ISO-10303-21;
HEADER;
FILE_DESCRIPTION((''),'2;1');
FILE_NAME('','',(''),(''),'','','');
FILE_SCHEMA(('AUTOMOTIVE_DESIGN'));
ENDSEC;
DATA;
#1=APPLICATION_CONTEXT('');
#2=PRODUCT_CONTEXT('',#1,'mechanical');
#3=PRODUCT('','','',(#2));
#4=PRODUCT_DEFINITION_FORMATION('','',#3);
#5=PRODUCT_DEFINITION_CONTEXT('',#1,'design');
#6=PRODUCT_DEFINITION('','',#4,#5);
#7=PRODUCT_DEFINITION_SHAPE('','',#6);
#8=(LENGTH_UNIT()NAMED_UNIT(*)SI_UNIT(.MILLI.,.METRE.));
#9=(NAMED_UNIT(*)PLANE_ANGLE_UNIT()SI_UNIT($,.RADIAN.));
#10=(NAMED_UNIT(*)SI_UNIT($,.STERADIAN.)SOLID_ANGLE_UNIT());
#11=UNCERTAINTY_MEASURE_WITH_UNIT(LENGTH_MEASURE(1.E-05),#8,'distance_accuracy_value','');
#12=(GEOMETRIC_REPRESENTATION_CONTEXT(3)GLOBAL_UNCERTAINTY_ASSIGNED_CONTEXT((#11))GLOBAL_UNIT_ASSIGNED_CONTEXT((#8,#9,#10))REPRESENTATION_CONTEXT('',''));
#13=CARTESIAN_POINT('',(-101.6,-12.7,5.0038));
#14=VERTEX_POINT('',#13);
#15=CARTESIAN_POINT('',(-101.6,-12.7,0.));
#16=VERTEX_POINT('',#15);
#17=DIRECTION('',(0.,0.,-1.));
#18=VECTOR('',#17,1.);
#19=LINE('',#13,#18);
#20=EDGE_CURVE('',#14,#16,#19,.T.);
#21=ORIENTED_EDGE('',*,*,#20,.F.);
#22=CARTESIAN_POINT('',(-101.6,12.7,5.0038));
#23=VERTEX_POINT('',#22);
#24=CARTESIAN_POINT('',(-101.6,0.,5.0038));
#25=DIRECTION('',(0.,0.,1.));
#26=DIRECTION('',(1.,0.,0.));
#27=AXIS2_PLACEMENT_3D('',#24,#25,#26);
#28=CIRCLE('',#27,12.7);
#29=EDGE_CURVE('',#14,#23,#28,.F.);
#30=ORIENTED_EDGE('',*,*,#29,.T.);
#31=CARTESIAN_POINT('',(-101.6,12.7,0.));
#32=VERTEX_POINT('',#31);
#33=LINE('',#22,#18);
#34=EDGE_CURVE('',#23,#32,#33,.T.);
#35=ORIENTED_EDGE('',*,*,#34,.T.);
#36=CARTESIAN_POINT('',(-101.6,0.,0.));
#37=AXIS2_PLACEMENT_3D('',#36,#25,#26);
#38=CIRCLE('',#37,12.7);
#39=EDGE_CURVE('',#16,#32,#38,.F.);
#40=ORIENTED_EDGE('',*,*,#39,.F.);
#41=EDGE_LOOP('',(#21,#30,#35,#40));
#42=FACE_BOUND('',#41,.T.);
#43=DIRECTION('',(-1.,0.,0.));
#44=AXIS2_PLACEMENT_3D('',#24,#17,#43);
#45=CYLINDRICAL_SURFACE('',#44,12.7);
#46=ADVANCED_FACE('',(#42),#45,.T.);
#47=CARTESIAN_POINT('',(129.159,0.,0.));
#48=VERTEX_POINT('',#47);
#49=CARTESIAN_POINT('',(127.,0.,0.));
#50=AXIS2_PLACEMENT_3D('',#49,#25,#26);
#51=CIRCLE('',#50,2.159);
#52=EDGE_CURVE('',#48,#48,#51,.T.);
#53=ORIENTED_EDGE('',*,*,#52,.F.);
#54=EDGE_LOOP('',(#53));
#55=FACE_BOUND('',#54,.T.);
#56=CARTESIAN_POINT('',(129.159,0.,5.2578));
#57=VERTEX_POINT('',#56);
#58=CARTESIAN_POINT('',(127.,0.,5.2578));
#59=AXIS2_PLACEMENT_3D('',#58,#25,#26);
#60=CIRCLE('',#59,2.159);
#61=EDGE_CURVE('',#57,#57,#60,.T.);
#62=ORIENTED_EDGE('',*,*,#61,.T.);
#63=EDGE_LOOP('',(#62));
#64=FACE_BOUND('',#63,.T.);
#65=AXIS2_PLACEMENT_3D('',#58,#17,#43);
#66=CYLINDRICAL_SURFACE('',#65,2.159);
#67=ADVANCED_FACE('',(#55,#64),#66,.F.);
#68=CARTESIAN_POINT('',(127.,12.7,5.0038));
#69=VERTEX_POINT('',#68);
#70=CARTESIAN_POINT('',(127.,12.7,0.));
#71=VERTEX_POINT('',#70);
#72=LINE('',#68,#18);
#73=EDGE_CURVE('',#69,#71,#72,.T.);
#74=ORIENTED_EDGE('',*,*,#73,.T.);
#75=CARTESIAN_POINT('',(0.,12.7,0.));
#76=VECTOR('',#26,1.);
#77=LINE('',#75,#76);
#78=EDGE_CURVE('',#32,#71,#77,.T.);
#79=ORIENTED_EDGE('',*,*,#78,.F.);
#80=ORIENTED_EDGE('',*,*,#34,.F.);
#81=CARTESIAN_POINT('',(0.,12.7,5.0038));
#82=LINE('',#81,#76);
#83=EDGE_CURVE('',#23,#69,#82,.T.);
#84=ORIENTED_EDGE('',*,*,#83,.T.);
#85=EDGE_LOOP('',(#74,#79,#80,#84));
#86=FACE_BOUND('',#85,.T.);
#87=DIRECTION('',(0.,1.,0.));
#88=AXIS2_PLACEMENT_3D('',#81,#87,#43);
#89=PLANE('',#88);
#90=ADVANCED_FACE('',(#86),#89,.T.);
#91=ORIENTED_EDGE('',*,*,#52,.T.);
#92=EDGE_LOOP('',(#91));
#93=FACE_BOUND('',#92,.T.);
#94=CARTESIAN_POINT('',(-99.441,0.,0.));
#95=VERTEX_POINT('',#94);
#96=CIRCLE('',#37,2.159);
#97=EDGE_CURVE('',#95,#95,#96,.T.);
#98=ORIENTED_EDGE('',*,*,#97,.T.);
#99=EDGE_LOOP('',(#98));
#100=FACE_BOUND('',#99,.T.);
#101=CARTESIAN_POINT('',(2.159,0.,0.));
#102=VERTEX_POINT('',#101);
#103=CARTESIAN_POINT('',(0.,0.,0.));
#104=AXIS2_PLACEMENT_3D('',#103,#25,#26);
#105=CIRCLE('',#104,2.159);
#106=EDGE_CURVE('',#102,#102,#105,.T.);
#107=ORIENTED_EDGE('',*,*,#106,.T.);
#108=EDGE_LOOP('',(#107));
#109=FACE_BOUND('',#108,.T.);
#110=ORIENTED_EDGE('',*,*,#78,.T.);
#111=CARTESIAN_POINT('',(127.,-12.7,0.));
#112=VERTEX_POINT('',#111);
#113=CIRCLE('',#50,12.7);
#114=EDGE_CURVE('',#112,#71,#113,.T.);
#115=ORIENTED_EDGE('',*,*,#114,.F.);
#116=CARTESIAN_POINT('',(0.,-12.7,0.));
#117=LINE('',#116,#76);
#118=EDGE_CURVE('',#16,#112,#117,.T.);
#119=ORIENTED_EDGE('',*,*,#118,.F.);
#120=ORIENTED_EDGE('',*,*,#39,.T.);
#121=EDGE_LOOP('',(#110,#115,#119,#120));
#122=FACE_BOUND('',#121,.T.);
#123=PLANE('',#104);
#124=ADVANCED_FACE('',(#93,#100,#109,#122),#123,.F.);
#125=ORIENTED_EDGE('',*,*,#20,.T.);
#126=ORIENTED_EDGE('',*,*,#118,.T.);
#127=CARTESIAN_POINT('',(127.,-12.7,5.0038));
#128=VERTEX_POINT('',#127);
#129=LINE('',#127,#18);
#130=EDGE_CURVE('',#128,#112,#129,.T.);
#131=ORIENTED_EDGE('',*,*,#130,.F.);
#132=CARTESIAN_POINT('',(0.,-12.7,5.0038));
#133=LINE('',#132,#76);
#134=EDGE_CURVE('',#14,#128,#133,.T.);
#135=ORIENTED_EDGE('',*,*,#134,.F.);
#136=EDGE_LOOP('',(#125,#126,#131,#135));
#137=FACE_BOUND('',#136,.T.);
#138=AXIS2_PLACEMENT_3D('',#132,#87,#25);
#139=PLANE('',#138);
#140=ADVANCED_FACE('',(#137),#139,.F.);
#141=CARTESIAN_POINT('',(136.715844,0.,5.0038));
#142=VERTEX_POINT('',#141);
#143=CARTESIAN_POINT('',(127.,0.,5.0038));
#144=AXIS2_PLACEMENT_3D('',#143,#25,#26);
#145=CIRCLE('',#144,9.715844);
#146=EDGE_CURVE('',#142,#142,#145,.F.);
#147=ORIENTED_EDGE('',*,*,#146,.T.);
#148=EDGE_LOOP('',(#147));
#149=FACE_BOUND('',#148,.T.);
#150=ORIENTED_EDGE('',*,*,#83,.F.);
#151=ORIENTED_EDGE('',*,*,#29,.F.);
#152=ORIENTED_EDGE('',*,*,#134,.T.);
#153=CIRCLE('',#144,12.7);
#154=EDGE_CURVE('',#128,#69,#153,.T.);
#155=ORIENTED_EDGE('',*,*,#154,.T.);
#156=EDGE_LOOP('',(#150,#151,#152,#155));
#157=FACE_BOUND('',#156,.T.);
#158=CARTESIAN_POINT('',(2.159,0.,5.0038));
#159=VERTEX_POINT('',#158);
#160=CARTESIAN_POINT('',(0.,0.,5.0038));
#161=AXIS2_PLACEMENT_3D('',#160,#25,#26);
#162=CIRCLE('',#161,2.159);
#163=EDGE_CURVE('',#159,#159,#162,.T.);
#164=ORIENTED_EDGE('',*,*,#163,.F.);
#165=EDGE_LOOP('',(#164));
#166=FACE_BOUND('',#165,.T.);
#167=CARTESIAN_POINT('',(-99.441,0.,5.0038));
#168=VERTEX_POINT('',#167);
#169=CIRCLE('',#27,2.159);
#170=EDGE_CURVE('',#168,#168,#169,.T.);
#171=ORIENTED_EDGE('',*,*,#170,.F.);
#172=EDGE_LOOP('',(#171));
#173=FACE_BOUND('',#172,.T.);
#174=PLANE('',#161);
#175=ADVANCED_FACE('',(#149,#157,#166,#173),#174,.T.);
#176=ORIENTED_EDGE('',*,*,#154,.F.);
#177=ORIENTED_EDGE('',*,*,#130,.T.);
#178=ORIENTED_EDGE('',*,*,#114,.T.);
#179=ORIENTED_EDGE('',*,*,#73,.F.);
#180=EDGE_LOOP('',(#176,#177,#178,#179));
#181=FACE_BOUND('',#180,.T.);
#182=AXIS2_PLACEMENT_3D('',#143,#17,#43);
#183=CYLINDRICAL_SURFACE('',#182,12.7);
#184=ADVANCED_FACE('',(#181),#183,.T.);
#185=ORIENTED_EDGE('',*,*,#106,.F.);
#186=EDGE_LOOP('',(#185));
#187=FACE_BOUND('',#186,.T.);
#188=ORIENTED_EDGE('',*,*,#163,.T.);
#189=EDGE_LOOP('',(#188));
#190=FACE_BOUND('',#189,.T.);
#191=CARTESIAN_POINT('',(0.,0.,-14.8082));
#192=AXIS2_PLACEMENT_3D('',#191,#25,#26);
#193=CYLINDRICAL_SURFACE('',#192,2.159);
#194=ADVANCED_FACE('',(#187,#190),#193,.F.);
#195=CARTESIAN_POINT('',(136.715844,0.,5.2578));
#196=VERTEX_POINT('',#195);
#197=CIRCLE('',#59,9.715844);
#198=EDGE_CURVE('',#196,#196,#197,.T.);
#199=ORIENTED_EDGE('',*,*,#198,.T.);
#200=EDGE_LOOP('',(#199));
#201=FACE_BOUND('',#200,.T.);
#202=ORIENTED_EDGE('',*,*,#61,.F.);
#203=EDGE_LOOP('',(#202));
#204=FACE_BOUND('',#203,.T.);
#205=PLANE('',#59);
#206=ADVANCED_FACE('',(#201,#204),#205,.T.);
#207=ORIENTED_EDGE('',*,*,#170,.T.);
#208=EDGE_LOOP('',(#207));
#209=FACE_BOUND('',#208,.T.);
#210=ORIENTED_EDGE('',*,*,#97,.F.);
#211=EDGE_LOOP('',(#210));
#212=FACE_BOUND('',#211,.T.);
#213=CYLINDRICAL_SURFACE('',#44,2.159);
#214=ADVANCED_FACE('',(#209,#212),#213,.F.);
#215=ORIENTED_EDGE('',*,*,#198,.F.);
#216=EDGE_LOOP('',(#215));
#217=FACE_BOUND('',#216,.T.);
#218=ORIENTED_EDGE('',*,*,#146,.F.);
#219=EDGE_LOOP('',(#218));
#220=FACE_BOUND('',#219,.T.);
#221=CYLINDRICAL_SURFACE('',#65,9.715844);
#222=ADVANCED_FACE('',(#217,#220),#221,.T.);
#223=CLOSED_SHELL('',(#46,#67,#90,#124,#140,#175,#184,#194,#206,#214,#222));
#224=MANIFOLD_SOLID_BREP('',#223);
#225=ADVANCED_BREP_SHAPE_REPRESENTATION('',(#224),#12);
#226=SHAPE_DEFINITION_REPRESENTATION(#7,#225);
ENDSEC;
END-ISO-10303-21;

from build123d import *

# Parameters (mm, degrees)
SKETCH1_R                = 6.35
SKETCH1_R_2              = 2.159
BOSS_EXTRUDE1_DEPTH      = 5.0038
SKETCH6_R                = 9.715843696
SKETCH6_R_2              = 2.159
BOSS_EXTRUDE3_DEPTH      = 0.254
BOSS_EXTRUDE3_DEPTH_BACK = 5.0038
SKETCH2_R                = 2.159
CUT_EXTRUDE1_DEPTH       = 19.812


with BuildPart() as part:
    # Sketch1 → Boss-Extrude1 (new body)
    with BuildSketch(Plane.XY):
        with BuildLine():
            Line((-101.6, 12.7), (127, 12.7))
            ThreePointArc((127, 12.7), (139.7, 0), (127, -12.7))
            Line((127, -12.7), (-101.6, -12.7))
            ThreePointArc((-101.6, -12.7), (-114.3, 0), (-101.6, 12.7))
        make_face()
        with Locations((127, 0)):
            Circle(SKETCH1_R, mode=Mode.SUBTRACT)
        with Locations((-101.6, 0)):
            Circle(SKETCH1_R_2, mode=Mode.SUBTRACT)
    extrude(amount=BOSS_EXTRUDE1_DEPTH)

    # Sketch6 → Boss-Extrude3 (add, two sides)
    with BuildSketch(Plane.XY.offset(5.0038)) as boss_extrude3_sk:
        with Locations((127, 0)):
            Circle(SKETCH6_R)
        with Locations((127, 0)):
            Circle(SKETCH6_R_2, mode=Mode.SUBTRACT)
    extrude(amount=BOSS_EXTRUDE3_DEPTH)
    extrude(boss_extrude3_sk.sketch, amount=-BOSS_EXTRUDE3_DEPTH_BACK)

    # Sketch2 → Cut-Extrude1 (cut)
    with BuildSketch(Plane.XY.offset(5.0038)):
        Circle(SKETCH2_R)
    extrude(amount=-CUT_EXTRUDE1_DEPTH, mode=Mode.SUBTRACT)


solid = part.part
